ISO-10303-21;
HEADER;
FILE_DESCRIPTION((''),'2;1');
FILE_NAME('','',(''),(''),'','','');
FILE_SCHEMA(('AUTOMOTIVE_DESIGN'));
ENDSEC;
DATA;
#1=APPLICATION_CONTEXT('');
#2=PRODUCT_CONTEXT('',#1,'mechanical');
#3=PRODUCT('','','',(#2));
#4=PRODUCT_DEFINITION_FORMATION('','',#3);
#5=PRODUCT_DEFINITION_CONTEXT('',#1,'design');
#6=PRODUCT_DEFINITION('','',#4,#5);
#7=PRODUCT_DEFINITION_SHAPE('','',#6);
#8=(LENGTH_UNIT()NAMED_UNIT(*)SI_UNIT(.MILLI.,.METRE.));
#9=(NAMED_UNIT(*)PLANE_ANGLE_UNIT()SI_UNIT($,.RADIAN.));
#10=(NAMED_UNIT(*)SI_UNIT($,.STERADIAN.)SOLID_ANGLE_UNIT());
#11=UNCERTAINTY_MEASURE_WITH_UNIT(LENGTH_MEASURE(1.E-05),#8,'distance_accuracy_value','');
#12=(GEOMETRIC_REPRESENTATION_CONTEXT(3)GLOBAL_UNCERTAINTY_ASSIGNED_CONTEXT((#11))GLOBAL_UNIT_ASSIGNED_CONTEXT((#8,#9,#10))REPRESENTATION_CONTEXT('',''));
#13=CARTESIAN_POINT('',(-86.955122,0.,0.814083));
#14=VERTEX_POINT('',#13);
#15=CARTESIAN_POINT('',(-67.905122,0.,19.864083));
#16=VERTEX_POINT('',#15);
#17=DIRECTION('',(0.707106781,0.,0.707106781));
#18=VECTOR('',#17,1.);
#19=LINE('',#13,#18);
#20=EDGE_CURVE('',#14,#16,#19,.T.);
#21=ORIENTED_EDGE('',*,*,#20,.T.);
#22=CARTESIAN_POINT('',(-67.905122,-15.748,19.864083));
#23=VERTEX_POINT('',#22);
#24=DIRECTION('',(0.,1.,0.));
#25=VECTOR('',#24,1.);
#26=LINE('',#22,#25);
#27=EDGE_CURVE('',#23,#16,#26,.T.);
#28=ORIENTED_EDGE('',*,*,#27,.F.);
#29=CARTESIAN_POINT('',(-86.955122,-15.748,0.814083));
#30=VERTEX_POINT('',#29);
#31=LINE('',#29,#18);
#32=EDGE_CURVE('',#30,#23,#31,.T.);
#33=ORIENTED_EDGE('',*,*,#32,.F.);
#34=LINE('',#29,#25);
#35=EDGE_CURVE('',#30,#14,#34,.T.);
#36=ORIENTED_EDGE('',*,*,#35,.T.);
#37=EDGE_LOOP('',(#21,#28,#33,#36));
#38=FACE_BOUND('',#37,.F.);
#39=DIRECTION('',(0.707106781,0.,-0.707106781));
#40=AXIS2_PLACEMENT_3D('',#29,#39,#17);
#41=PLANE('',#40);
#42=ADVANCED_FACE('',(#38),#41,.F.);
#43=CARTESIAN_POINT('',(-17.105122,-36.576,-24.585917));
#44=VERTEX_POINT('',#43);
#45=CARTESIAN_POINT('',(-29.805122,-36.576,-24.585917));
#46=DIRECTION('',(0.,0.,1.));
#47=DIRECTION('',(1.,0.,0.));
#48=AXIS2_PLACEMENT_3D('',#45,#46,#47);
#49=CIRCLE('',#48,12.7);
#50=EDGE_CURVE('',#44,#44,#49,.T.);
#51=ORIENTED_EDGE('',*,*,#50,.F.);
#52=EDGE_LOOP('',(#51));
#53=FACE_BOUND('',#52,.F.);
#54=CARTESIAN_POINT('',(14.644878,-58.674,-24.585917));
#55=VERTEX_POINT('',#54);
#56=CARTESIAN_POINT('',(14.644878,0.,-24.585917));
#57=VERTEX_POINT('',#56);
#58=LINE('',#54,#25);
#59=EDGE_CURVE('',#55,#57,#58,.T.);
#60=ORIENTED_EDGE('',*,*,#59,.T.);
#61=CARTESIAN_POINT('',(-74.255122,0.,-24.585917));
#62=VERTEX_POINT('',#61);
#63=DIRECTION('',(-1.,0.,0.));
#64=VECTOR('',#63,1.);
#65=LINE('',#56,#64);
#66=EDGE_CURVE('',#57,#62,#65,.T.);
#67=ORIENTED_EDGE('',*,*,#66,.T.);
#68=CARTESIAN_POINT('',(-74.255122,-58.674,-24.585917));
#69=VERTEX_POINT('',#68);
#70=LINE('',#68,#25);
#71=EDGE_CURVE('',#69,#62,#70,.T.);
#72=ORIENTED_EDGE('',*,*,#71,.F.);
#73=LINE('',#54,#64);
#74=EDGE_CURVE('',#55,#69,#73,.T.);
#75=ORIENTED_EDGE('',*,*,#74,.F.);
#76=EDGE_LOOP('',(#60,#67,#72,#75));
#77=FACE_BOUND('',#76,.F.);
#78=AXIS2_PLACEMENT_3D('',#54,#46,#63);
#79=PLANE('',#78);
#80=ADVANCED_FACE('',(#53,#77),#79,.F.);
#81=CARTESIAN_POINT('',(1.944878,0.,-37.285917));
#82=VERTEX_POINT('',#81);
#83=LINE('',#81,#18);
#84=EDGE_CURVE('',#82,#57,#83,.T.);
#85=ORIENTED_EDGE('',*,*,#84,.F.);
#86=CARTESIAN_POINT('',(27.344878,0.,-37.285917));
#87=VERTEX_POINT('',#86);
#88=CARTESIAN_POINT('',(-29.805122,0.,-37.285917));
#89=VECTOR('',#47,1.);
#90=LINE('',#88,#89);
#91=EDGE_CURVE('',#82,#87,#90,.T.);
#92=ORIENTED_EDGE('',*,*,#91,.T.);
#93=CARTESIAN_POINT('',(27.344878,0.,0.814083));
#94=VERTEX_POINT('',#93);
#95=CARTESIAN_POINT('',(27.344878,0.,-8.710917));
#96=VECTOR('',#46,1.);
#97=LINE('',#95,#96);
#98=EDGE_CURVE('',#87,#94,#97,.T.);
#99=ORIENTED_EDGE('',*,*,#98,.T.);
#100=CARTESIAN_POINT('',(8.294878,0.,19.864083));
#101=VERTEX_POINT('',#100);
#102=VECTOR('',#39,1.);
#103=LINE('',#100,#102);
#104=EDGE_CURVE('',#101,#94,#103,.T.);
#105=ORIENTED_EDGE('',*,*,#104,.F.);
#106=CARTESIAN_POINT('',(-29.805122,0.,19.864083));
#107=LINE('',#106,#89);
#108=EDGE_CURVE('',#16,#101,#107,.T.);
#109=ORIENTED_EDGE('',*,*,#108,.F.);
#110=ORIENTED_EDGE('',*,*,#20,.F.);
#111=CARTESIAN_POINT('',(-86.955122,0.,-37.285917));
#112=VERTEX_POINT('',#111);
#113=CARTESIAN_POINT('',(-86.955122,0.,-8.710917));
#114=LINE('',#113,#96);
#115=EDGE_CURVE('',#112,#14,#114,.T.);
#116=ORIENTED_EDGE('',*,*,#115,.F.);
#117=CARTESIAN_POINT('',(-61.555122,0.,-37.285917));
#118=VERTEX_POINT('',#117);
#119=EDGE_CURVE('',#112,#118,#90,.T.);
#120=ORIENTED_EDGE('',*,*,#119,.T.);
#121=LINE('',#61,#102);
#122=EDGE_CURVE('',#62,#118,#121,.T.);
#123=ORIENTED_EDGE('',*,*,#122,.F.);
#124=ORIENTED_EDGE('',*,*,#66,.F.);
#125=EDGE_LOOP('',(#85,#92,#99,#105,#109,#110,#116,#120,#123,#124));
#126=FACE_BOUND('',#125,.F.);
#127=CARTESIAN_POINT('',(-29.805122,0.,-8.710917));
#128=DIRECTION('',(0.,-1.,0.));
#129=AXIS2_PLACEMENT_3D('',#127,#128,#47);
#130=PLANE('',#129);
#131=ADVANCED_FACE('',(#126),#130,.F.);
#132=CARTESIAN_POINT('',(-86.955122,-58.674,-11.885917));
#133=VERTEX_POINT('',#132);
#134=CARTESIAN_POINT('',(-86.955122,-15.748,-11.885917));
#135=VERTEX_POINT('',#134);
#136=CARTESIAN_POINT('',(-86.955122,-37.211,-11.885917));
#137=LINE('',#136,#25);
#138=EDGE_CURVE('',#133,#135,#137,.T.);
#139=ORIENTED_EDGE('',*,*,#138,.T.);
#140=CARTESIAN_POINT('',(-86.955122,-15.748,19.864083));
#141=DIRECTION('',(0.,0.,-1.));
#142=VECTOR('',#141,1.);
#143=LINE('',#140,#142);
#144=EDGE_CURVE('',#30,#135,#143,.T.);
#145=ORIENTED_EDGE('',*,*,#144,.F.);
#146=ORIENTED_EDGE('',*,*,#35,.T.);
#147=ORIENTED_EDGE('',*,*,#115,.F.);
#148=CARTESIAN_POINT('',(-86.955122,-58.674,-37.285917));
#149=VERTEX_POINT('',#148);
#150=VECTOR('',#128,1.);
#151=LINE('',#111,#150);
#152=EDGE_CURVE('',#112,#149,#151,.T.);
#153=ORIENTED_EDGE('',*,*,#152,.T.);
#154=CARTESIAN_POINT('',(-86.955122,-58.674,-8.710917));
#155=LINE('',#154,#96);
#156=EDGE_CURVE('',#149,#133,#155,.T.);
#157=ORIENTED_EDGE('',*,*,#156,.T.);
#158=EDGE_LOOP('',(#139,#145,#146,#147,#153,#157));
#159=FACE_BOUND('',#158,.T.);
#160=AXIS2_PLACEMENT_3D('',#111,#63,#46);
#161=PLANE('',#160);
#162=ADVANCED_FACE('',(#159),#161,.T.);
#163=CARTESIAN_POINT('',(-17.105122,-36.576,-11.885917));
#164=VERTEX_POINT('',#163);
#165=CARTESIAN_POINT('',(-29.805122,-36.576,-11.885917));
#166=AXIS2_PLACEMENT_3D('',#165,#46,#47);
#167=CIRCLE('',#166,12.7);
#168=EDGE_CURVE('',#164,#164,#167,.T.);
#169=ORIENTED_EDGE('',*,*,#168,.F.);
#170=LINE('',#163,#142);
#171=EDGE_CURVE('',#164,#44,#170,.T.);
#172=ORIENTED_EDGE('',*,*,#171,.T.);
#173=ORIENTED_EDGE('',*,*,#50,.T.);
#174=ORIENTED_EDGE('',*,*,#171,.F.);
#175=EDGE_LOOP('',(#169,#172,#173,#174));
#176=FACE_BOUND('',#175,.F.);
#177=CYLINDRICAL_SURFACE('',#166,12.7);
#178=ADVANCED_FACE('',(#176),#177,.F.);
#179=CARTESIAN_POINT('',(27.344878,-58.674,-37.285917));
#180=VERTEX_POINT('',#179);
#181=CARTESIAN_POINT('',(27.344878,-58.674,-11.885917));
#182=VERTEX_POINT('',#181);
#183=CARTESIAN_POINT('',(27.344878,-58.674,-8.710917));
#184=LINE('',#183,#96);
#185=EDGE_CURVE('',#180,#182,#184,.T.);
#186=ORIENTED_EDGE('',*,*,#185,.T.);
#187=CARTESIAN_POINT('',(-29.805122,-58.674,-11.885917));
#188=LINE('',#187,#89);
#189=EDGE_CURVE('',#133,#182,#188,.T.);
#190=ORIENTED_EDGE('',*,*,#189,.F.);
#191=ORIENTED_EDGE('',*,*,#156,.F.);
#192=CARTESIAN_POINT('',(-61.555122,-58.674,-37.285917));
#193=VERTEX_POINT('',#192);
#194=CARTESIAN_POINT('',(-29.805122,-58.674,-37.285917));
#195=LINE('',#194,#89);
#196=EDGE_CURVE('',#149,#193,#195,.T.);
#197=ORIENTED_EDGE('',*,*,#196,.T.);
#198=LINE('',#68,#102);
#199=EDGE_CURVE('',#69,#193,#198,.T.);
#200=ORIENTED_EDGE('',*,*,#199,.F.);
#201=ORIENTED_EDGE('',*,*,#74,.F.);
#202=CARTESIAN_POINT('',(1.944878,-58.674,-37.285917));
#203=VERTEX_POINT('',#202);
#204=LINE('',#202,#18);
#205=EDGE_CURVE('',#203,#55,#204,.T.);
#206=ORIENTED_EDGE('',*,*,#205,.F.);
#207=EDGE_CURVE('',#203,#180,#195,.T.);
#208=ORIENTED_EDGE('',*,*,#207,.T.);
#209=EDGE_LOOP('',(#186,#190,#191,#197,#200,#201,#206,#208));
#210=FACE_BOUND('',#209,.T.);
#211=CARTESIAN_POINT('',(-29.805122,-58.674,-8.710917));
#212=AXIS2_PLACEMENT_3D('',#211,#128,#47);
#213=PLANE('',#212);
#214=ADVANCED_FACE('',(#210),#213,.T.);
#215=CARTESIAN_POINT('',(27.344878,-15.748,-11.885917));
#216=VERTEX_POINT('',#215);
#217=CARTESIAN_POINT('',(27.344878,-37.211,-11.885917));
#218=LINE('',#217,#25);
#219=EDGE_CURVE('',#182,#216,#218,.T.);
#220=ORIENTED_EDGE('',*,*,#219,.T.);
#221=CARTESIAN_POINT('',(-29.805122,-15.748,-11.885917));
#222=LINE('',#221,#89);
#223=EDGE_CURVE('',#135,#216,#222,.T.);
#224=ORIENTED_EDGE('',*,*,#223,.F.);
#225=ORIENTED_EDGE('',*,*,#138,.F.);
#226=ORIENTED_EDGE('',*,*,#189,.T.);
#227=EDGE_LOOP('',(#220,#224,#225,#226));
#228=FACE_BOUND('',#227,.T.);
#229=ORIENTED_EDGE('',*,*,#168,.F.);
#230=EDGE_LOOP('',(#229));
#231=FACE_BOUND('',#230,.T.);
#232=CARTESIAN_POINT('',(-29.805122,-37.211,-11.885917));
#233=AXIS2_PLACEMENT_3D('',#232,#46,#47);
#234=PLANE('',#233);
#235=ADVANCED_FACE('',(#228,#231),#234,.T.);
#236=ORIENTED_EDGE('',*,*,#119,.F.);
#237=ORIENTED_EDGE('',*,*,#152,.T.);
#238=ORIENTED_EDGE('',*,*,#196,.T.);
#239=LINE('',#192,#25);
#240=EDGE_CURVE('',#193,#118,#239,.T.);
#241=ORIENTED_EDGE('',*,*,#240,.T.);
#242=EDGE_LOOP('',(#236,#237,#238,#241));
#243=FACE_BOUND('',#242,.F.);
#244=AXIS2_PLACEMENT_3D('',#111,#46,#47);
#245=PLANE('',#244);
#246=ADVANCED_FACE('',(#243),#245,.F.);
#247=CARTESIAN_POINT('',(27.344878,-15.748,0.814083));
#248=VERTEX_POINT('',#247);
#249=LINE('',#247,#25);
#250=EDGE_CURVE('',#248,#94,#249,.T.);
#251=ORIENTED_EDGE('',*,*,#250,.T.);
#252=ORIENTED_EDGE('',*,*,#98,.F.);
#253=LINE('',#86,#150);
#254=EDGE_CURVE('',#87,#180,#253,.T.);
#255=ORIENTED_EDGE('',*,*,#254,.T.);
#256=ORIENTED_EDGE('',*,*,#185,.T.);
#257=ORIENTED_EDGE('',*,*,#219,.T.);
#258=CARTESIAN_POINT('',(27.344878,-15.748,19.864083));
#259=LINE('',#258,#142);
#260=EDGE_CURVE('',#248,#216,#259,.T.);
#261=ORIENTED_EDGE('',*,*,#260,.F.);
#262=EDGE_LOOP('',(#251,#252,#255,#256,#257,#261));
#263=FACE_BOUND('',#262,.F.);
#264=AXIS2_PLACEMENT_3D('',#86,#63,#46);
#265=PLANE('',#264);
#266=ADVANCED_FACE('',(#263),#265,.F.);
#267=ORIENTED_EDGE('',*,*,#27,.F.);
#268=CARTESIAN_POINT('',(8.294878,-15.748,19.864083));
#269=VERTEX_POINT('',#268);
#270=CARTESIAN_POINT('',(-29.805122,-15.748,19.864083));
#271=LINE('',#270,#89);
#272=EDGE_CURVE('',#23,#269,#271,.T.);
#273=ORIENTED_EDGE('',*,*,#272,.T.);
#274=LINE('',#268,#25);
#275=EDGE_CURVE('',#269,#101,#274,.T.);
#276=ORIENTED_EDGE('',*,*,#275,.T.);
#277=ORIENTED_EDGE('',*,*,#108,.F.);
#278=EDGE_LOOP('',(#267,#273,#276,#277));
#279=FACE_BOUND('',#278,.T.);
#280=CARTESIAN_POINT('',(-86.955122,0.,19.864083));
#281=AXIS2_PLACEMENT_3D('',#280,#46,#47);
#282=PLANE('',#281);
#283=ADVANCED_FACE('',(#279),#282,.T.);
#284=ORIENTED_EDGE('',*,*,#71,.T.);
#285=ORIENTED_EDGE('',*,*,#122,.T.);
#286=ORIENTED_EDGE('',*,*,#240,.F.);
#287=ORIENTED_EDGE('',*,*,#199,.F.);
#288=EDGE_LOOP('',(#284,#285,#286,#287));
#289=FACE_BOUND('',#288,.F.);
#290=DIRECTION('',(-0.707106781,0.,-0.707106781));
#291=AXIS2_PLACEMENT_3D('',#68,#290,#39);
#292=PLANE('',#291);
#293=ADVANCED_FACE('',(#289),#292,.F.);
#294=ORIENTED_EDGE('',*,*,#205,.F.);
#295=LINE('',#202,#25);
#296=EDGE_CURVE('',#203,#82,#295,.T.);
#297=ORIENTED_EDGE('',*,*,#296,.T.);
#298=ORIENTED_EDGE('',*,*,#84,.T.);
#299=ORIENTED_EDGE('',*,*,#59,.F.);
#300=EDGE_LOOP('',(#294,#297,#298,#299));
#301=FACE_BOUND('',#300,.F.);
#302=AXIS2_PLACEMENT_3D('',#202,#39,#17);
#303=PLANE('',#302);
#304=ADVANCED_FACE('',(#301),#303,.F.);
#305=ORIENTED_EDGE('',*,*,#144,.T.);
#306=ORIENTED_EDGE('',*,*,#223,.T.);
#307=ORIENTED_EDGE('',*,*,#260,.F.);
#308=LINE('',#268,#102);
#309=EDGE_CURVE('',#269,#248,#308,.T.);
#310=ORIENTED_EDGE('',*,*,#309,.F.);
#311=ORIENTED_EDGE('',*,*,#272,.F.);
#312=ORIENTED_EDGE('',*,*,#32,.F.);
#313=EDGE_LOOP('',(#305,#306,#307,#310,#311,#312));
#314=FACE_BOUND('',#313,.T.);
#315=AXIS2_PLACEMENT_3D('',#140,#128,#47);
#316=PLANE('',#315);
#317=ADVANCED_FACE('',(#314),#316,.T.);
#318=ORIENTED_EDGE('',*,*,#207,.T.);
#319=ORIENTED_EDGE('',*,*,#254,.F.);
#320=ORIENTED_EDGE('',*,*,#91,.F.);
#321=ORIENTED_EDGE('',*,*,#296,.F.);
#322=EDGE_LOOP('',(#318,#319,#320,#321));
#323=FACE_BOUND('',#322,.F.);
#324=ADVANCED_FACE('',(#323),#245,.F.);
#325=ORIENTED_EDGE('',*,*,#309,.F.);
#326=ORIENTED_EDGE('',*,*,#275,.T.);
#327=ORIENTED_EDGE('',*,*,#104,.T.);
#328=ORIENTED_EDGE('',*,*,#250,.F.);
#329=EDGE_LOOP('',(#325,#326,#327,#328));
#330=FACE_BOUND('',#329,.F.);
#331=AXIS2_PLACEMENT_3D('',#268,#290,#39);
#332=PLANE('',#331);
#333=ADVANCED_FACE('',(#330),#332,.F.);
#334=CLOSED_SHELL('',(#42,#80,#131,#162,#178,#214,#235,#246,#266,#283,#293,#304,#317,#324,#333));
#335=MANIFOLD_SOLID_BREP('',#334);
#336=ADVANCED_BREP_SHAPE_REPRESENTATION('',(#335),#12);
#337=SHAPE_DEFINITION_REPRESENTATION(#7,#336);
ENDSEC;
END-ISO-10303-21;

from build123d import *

# Parameters (mm, degrees)
F0_W     = 114.3
F0_H     = 57.15
F1_DEPTH = 58.674
F2_W     = 114.3
F2_H     = 42.926
F3_DEPTH = 31.75
F5_DEPTH = 15.748
F7_R     = 12.7
F8_DEPTH = 25.4
F9_DEPTH = 58.674


with BuildPart() as f1:
    # F0 (on Front) → F1 (new body)
    with BuildSketch(Plane.XZ):
        with Locations((-29.805122, -8.710917)):
            Rectangle(F0_W, F0_H)
    extrude(amount=F1_DEPTH)

    # F2 (on face) → F3 (cut)
    with BuildSketch(Plane.XY.offset(19.864083)):
        with Locations((-29.805122, -37.211)):
            Rectangle(F2_W, F2_H)
    extrude(amount=-F3_DEPTH, mode=Mode.SUBTRACT)

    # F4 (on face) → F5 (cut)
    with BuildSketch(Plane.XZ.offset(15.748)):
        Polygon((27.344878, 0.814083), (27.344878, 19.864083), (8.294878, 19.864083), align=None)
        Polygon((-67.905122, 19.864083), (-86.955122, 19.864083), (-86.955122, 0.814083), align=None)
    extrude(amount=-F5_DEPTH, mode=Mode.SUBTRACT)

    # F7 (on face) → F8 (cut)
    with BuildSketch(Plane.XY.offset(-11.885917)):
        with Locations((-29.805122, -36.576)):
            Circle(F7_R)
    extrude(amount=-F8_DEPTH, mode=Mode.SUBTRACT)

    # F6 (on face) → F9 (cut)
    with BuildSketch(Plane.XZ.offset(58.674)):
        Polygon((-29.805122, -24.585917), (-29.805122, -37.285917), (1.944878, -37.285917), (14.644878, -24.585917), align=None)
        Polygon((-61.555122, -37.285917), (-29.805122, -37.285917), (-29.805122, -24.585917), (-74.255122, -24.585917), align=None)
    extrude(amount=-F9_DEPTH, mode=Mode.SUBTRACT)


solid = f1.part
